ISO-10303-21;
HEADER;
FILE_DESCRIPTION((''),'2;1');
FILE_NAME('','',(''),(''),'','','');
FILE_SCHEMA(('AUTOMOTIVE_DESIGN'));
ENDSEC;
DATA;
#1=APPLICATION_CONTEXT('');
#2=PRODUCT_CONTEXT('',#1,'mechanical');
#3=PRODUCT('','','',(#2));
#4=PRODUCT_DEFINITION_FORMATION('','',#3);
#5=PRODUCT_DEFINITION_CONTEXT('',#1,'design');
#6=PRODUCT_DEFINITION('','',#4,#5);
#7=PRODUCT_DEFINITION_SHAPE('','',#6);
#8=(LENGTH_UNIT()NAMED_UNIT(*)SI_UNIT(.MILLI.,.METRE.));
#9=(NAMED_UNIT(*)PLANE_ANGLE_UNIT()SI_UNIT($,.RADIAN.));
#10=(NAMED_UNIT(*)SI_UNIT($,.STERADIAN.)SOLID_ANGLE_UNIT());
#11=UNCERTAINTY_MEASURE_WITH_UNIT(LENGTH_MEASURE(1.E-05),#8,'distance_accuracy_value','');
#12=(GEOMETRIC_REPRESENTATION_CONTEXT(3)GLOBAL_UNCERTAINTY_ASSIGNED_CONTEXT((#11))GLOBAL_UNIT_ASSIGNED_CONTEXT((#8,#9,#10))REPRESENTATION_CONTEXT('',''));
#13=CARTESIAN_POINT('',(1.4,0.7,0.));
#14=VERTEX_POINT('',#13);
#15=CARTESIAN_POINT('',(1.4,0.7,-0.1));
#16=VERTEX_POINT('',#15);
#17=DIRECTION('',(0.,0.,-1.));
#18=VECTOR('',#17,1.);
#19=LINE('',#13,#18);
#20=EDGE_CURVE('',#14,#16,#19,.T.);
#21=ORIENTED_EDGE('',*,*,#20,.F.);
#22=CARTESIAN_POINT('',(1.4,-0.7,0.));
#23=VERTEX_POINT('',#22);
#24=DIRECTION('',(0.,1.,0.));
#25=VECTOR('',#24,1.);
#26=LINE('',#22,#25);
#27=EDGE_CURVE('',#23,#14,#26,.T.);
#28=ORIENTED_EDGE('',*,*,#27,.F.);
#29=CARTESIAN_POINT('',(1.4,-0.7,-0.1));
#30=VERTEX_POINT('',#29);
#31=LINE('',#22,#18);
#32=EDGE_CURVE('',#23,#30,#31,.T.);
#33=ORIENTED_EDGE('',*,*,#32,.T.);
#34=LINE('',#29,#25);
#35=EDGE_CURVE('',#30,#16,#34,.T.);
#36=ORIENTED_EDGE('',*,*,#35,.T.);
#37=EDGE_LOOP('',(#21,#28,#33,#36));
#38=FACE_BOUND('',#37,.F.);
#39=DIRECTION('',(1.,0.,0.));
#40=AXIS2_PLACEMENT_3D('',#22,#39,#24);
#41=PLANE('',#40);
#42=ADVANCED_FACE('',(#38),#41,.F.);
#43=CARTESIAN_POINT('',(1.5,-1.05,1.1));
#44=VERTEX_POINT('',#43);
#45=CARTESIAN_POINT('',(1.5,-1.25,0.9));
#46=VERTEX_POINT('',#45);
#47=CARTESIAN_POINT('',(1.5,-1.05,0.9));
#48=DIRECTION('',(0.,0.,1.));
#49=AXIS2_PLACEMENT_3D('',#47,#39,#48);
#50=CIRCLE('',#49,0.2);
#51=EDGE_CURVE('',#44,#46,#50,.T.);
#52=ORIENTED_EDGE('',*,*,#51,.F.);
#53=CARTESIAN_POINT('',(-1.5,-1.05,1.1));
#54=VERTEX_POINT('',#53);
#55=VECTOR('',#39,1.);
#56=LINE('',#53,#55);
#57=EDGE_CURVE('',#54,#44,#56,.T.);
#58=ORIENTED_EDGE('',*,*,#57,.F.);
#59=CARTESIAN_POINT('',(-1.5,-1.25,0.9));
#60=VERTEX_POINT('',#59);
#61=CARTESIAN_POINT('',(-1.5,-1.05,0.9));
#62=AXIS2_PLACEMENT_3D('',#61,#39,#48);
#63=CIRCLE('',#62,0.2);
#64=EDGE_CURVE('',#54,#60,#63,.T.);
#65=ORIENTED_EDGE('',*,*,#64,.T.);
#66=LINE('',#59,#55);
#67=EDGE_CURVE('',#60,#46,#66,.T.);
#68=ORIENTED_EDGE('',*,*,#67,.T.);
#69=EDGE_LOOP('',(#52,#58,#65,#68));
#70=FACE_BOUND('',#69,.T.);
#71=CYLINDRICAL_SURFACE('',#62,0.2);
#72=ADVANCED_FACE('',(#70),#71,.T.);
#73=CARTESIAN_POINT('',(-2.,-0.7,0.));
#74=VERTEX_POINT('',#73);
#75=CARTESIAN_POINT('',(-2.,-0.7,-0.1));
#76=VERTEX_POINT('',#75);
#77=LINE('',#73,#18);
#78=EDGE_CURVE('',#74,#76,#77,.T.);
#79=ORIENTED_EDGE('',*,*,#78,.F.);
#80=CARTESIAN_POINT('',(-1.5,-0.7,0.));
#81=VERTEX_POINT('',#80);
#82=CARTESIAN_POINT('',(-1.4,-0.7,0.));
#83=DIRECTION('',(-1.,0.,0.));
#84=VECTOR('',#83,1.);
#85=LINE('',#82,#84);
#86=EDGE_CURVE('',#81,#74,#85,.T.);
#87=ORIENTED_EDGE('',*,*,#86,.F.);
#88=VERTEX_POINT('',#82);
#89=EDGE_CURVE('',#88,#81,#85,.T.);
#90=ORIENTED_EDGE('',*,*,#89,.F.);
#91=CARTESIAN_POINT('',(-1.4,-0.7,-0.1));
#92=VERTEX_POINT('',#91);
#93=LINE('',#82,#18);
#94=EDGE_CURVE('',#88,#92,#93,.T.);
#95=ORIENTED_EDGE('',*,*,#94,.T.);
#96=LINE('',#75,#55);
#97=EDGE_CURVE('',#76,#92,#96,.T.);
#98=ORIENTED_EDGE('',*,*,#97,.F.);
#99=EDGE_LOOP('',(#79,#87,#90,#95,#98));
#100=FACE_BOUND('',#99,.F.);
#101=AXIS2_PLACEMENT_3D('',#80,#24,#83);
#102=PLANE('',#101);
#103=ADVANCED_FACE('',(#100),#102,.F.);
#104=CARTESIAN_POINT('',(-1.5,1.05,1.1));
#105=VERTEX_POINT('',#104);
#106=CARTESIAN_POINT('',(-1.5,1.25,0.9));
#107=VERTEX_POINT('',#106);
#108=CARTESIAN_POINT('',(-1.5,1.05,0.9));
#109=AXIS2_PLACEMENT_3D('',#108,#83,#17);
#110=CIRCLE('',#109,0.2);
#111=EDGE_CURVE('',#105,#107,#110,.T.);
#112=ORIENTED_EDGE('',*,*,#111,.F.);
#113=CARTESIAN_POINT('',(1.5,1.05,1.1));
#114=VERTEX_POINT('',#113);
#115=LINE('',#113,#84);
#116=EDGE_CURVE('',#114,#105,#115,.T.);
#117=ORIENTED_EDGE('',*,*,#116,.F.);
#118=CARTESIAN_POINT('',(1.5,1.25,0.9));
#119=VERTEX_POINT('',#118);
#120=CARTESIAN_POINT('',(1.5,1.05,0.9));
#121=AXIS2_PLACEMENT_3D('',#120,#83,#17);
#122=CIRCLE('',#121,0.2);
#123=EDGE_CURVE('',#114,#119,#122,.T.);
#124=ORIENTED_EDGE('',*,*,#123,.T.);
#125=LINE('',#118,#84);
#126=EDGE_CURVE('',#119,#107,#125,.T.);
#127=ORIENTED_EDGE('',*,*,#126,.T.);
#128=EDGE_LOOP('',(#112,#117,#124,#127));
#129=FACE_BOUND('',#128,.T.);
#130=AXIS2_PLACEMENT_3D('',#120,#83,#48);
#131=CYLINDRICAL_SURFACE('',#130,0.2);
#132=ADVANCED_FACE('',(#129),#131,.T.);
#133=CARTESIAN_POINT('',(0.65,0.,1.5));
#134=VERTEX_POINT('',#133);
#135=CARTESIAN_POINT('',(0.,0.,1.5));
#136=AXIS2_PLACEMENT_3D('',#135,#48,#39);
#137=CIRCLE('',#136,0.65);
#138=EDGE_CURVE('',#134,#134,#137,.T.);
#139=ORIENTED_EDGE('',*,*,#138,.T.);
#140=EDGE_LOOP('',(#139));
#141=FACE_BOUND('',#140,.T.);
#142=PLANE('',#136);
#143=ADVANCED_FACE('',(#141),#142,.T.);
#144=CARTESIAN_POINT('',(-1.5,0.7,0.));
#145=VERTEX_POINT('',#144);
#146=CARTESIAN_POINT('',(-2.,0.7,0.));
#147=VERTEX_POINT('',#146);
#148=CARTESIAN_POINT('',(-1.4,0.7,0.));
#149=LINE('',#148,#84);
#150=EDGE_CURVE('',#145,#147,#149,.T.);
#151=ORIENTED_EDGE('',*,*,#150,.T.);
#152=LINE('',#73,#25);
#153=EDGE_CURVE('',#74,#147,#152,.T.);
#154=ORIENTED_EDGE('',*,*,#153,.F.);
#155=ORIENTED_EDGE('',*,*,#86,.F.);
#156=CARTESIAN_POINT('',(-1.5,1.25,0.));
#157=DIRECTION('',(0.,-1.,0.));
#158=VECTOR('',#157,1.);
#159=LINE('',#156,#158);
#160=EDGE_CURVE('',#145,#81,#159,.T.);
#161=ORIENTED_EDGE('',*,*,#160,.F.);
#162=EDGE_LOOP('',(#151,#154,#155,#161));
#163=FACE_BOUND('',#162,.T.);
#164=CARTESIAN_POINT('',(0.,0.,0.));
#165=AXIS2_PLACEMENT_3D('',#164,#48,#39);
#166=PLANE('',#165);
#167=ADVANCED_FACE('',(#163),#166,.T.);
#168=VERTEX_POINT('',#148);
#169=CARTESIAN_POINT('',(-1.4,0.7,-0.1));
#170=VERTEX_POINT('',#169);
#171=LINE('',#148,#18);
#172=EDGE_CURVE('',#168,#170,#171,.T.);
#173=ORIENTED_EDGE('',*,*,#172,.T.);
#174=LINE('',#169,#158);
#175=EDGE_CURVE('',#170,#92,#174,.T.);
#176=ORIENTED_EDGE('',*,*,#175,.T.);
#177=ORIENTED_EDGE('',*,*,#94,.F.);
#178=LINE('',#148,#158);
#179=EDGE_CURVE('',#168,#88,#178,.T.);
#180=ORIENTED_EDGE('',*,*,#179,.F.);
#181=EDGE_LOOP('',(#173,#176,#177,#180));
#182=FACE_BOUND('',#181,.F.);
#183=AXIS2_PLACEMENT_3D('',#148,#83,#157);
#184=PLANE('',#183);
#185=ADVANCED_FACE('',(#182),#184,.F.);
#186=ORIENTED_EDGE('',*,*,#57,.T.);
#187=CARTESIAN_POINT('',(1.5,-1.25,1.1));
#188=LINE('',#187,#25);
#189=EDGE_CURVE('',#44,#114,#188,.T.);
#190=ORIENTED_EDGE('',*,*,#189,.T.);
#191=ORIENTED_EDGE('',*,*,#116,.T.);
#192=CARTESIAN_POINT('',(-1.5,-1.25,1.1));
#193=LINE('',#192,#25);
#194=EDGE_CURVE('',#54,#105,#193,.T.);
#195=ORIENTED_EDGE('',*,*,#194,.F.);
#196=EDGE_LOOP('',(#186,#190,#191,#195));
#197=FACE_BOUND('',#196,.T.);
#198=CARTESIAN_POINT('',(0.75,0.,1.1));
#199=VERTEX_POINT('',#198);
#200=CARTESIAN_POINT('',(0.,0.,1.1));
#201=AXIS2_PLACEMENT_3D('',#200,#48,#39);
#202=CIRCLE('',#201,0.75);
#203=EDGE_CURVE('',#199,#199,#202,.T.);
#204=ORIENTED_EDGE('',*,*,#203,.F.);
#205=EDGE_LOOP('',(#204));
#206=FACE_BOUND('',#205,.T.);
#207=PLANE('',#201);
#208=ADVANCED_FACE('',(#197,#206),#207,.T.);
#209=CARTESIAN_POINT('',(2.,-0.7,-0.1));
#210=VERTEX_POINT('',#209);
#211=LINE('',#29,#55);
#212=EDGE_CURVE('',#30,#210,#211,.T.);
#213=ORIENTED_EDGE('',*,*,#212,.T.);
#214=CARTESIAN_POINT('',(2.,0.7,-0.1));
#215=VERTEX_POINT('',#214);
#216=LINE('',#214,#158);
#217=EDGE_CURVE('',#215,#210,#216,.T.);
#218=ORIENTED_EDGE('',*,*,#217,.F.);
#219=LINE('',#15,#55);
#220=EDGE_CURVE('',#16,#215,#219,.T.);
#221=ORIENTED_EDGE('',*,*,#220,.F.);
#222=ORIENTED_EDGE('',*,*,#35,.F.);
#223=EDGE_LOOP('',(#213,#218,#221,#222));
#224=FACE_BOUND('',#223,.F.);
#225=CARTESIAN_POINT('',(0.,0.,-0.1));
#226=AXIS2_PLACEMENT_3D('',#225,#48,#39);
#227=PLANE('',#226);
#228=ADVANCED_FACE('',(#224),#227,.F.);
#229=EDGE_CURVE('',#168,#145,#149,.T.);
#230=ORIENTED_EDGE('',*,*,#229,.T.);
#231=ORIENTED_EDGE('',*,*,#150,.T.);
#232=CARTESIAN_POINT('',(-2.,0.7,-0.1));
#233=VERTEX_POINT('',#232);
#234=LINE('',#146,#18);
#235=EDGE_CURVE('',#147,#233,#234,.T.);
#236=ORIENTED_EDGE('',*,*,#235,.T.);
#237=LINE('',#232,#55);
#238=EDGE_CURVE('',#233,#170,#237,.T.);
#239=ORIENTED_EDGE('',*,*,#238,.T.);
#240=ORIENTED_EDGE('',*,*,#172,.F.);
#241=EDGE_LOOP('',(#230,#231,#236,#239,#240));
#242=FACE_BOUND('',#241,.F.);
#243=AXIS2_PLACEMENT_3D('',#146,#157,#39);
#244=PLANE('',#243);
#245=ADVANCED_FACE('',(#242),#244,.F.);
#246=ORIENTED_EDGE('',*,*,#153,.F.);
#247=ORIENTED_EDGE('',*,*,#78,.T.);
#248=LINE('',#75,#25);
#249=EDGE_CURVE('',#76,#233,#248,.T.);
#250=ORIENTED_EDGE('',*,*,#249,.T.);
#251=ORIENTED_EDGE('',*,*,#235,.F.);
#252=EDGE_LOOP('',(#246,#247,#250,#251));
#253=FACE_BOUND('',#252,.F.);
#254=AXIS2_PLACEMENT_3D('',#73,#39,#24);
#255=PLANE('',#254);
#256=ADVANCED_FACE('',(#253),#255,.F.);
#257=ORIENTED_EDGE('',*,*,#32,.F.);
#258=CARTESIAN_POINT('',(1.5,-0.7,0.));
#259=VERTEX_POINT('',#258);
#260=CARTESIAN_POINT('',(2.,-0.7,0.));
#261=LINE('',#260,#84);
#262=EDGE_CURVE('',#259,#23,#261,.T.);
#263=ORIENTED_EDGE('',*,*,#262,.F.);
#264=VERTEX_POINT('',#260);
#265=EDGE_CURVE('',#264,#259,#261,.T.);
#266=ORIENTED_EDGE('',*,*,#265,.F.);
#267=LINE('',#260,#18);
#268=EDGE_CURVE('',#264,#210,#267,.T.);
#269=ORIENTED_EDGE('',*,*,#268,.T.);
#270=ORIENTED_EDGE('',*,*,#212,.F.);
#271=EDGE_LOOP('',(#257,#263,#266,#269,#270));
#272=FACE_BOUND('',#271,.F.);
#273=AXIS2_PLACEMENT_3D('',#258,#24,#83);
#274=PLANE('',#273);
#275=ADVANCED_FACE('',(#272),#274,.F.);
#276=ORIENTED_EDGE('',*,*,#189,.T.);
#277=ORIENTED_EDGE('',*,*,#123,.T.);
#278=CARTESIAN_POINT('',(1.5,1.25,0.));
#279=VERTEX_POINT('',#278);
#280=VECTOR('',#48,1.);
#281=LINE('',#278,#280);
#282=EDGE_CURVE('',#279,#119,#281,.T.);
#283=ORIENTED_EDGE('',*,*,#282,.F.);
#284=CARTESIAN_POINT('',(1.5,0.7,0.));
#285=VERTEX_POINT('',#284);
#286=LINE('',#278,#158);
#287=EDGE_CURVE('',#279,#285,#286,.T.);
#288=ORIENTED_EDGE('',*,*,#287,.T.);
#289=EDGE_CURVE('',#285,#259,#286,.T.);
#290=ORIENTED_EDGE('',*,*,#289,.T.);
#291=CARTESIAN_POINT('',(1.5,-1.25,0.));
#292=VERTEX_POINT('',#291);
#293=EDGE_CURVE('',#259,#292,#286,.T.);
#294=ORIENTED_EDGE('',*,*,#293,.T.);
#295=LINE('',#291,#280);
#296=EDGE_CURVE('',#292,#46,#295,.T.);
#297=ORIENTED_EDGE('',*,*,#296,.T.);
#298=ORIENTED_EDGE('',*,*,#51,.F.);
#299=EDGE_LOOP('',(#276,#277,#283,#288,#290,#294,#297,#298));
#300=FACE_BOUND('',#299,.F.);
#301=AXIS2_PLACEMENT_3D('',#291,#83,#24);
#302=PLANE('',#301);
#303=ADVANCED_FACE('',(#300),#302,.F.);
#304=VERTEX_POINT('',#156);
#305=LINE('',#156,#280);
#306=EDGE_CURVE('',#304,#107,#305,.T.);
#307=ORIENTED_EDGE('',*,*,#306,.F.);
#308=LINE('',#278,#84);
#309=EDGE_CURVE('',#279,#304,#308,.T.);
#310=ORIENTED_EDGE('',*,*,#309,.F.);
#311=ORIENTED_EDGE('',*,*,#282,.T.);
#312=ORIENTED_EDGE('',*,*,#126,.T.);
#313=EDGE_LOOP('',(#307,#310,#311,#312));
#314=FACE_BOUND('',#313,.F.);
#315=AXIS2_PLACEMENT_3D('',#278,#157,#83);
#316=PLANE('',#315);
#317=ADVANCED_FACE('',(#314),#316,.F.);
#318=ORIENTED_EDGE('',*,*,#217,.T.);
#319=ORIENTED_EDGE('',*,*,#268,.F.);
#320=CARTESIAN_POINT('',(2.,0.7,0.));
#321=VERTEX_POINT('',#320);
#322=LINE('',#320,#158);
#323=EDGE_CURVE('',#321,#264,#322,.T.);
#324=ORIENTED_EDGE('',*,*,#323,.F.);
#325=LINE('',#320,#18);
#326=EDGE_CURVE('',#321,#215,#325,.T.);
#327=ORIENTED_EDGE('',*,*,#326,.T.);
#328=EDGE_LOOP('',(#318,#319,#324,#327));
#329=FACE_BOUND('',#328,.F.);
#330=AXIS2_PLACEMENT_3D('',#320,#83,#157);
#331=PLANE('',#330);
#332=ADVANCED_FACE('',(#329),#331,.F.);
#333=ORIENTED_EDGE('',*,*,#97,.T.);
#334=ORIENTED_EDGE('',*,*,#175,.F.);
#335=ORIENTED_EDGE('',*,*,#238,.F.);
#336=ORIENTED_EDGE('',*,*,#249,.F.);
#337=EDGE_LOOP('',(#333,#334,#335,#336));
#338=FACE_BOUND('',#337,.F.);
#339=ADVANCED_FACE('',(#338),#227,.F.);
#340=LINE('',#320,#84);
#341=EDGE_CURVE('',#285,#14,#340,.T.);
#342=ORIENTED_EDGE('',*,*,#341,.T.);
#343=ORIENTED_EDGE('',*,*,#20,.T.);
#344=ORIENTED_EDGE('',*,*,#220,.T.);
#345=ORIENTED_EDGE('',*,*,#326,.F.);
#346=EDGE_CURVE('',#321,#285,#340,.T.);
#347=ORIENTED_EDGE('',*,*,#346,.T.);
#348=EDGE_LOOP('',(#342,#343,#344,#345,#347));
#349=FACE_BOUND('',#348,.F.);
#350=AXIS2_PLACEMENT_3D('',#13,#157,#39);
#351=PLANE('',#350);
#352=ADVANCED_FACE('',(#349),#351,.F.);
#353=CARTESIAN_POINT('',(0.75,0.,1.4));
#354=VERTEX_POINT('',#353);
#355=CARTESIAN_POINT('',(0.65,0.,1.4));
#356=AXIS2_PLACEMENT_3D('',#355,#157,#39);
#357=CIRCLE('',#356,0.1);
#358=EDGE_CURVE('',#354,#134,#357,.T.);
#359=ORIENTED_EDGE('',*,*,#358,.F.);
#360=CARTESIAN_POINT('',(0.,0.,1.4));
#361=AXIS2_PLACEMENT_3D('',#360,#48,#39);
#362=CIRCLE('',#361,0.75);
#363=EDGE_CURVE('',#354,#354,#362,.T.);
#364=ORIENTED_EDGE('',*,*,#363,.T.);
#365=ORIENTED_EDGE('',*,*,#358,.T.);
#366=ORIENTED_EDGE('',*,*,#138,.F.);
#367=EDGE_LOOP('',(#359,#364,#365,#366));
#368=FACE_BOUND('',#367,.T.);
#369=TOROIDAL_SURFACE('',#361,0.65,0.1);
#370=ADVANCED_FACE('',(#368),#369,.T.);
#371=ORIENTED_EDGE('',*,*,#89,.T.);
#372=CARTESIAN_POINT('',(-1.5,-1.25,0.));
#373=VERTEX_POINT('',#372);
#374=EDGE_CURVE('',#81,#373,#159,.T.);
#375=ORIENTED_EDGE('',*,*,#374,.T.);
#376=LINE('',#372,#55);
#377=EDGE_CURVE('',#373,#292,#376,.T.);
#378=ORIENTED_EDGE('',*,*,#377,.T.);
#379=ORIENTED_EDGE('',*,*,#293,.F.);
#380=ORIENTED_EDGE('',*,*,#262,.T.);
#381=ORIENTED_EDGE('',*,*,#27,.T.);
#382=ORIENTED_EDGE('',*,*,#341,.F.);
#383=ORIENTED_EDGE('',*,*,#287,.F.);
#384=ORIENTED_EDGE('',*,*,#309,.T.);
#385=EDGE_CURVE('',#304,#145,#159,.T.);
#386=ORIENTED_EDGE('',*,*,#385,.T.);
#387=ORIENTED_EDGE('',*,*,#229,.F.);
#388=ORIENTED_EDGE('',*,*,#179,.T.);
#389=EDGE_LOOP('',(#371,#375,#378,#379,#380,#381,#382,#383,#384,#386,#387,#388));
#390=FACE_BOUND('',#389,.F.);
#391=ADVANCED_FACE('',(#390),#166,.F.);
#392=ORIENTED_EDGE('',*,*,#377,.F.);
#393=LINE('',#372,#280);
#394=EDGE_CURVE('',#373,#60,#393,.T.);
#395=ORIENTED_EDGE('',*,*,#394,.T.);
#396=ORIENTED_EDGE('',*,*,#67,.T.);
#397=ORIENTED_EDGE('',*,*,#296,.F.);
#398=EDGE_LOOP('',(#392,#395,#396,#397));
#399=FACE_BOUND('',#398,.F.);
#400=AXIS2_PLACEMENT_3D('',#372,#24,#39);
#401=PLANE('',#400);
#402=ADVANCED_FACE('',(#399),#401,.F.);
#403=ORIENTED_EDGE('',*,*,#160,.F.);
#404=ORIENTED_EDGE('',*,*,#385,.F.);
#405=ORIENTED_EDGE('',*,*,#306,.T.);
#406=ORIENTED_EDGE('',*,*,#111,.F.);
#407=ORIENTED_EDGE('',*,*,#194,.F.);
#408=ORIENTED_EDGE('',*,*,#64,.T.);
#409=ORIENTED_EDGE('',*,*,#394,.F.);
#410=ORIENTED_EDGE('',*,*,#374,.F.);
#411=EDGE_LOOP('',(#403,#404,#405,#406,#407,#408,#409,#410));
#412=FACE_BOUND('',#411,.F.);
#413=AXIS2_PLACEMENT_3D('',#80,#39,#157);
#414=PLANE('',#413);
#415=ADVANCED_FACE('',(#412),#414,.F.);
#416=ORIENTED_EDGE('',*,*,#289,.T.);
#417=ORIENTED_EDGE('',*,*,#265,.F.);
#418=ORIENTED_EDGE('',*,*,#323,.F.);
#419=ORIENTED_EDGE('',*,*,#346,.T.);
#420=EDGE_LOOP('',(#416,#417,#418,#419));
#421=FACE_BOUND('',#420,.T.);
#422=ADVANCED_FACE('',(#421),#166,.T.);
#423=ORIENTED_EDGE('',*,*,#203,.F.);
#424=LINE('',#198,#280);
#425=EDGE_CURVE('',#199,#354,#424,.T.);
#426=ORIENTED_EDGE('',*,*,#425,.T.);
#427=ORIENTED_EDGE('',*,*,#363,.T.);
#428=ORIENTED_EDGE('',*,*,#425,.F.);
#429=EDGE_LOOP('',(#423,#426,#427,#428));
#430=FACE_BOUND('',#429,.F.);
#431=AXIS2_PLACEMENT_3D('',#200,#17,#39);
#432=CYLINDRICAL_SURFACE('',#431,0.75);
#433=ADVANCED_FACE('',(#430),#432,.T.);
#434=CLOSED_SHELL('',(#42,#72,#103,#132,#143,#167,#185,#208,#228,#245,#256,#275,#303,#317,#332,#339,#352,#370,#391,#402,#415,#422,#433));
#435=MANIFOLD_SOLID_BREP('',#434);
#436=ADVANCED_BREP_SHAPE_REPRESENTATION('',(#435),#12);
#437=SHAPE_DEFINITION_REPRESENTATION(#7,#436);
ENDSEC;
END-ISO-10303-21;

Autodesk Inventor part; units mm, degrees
ref_plane "YZ Plane" through (0, 0, 0) normal (1, 0, 0) x (0, 1, 0)
ref_plane "XZ Plane" through (0, 0, 0) normal (0, 1, 0) x (-1, 0, 0)
ref_plane "XY Plane" through (0, 0, 0) normal (0, 0, 1) x (1, 0, 0)
sketch "Sketch1" plane through (0, 0, 0) normal (0, 0, 1) x (1, 0, 0)
  line L0 (-1.5, -1.25) -> (1.5, -1.25)
  line L1 (1.5, -1.25) -> (1.5, 1.25)
  line L2 (1.5, 1.25) -> (-1.5, 1.25)
  line L3 (-1.5, 1.25) -> (-1.5, -1.25)
  line L4 (-1.5, -1.25) -> (1.5, 1.25) construction
  line L5 (1.5, -1.25) -> (-1.5, 1.25) construction
  line L6 (-2, 0.7) -> (-1.4, 0.7)
  line L7 (-1.4, 0.7) -> (-1.4, -0.7)
  line L8 (-1.4, -0.7) -> (-2, -0.7)
  line L9 (-2, -0.7) -> (-2, 0.7)
  line L10 (1.4, 0.7) -> (2, 0.7)
  line L11 (2, 0.7) -> (2, -0.7)
  line L12 (2, -0.7) -> (1.4, -0.7)
  line L13 (1.4, -0.7) -> (1.4, 0.7)
  line L14 (0, 1.25) -> (0, -1.25) construction
  point P0 (0, 0)
  point P1 (-2, 0)
  point P2 (0, 0)
  dimension "d0" = 3
  dimension "d1" = 2.5
  dimension "d2" = 4
  dimension "d3" = 1.4
  dimension "d4" = 2.8
extrude "Extrusion1" add sketch "Sketch1" along normal blind 1.1 contours L3 L8 L7 L6 L2 L1 L10 L13 L12 L0 | L3 L6 L7 L8 | L12 L13 L10 L1
extrude "Extrusion2" add sketch "Sketch1" against normal blind 0.1 contours L8 L9 L6 L3 | L3 L6 L7 L8 | L12 L13 L10 L1 | L1 L10 L11 L12
sketch "Sketch2" plane through (0, 0, 1.1) normal (0, 0, 1) x (1, 0, 0)
  circle A0 centre (0, 0) radius 0.75
  dimension "d9" = 1.5
extrude "Extrusion3" add sketch "Sketch2" along normal blind 0.4
fillet "Fillet1" radius 0.1 1 edges at (-0.75, 0, 1.5)
fillet "Fillet2" radius 0.2 2 edges at (0, 1.25, 1.1) (0, -1.25, 1.1)
properties part number "49-0002" material "Stainless Steel"
